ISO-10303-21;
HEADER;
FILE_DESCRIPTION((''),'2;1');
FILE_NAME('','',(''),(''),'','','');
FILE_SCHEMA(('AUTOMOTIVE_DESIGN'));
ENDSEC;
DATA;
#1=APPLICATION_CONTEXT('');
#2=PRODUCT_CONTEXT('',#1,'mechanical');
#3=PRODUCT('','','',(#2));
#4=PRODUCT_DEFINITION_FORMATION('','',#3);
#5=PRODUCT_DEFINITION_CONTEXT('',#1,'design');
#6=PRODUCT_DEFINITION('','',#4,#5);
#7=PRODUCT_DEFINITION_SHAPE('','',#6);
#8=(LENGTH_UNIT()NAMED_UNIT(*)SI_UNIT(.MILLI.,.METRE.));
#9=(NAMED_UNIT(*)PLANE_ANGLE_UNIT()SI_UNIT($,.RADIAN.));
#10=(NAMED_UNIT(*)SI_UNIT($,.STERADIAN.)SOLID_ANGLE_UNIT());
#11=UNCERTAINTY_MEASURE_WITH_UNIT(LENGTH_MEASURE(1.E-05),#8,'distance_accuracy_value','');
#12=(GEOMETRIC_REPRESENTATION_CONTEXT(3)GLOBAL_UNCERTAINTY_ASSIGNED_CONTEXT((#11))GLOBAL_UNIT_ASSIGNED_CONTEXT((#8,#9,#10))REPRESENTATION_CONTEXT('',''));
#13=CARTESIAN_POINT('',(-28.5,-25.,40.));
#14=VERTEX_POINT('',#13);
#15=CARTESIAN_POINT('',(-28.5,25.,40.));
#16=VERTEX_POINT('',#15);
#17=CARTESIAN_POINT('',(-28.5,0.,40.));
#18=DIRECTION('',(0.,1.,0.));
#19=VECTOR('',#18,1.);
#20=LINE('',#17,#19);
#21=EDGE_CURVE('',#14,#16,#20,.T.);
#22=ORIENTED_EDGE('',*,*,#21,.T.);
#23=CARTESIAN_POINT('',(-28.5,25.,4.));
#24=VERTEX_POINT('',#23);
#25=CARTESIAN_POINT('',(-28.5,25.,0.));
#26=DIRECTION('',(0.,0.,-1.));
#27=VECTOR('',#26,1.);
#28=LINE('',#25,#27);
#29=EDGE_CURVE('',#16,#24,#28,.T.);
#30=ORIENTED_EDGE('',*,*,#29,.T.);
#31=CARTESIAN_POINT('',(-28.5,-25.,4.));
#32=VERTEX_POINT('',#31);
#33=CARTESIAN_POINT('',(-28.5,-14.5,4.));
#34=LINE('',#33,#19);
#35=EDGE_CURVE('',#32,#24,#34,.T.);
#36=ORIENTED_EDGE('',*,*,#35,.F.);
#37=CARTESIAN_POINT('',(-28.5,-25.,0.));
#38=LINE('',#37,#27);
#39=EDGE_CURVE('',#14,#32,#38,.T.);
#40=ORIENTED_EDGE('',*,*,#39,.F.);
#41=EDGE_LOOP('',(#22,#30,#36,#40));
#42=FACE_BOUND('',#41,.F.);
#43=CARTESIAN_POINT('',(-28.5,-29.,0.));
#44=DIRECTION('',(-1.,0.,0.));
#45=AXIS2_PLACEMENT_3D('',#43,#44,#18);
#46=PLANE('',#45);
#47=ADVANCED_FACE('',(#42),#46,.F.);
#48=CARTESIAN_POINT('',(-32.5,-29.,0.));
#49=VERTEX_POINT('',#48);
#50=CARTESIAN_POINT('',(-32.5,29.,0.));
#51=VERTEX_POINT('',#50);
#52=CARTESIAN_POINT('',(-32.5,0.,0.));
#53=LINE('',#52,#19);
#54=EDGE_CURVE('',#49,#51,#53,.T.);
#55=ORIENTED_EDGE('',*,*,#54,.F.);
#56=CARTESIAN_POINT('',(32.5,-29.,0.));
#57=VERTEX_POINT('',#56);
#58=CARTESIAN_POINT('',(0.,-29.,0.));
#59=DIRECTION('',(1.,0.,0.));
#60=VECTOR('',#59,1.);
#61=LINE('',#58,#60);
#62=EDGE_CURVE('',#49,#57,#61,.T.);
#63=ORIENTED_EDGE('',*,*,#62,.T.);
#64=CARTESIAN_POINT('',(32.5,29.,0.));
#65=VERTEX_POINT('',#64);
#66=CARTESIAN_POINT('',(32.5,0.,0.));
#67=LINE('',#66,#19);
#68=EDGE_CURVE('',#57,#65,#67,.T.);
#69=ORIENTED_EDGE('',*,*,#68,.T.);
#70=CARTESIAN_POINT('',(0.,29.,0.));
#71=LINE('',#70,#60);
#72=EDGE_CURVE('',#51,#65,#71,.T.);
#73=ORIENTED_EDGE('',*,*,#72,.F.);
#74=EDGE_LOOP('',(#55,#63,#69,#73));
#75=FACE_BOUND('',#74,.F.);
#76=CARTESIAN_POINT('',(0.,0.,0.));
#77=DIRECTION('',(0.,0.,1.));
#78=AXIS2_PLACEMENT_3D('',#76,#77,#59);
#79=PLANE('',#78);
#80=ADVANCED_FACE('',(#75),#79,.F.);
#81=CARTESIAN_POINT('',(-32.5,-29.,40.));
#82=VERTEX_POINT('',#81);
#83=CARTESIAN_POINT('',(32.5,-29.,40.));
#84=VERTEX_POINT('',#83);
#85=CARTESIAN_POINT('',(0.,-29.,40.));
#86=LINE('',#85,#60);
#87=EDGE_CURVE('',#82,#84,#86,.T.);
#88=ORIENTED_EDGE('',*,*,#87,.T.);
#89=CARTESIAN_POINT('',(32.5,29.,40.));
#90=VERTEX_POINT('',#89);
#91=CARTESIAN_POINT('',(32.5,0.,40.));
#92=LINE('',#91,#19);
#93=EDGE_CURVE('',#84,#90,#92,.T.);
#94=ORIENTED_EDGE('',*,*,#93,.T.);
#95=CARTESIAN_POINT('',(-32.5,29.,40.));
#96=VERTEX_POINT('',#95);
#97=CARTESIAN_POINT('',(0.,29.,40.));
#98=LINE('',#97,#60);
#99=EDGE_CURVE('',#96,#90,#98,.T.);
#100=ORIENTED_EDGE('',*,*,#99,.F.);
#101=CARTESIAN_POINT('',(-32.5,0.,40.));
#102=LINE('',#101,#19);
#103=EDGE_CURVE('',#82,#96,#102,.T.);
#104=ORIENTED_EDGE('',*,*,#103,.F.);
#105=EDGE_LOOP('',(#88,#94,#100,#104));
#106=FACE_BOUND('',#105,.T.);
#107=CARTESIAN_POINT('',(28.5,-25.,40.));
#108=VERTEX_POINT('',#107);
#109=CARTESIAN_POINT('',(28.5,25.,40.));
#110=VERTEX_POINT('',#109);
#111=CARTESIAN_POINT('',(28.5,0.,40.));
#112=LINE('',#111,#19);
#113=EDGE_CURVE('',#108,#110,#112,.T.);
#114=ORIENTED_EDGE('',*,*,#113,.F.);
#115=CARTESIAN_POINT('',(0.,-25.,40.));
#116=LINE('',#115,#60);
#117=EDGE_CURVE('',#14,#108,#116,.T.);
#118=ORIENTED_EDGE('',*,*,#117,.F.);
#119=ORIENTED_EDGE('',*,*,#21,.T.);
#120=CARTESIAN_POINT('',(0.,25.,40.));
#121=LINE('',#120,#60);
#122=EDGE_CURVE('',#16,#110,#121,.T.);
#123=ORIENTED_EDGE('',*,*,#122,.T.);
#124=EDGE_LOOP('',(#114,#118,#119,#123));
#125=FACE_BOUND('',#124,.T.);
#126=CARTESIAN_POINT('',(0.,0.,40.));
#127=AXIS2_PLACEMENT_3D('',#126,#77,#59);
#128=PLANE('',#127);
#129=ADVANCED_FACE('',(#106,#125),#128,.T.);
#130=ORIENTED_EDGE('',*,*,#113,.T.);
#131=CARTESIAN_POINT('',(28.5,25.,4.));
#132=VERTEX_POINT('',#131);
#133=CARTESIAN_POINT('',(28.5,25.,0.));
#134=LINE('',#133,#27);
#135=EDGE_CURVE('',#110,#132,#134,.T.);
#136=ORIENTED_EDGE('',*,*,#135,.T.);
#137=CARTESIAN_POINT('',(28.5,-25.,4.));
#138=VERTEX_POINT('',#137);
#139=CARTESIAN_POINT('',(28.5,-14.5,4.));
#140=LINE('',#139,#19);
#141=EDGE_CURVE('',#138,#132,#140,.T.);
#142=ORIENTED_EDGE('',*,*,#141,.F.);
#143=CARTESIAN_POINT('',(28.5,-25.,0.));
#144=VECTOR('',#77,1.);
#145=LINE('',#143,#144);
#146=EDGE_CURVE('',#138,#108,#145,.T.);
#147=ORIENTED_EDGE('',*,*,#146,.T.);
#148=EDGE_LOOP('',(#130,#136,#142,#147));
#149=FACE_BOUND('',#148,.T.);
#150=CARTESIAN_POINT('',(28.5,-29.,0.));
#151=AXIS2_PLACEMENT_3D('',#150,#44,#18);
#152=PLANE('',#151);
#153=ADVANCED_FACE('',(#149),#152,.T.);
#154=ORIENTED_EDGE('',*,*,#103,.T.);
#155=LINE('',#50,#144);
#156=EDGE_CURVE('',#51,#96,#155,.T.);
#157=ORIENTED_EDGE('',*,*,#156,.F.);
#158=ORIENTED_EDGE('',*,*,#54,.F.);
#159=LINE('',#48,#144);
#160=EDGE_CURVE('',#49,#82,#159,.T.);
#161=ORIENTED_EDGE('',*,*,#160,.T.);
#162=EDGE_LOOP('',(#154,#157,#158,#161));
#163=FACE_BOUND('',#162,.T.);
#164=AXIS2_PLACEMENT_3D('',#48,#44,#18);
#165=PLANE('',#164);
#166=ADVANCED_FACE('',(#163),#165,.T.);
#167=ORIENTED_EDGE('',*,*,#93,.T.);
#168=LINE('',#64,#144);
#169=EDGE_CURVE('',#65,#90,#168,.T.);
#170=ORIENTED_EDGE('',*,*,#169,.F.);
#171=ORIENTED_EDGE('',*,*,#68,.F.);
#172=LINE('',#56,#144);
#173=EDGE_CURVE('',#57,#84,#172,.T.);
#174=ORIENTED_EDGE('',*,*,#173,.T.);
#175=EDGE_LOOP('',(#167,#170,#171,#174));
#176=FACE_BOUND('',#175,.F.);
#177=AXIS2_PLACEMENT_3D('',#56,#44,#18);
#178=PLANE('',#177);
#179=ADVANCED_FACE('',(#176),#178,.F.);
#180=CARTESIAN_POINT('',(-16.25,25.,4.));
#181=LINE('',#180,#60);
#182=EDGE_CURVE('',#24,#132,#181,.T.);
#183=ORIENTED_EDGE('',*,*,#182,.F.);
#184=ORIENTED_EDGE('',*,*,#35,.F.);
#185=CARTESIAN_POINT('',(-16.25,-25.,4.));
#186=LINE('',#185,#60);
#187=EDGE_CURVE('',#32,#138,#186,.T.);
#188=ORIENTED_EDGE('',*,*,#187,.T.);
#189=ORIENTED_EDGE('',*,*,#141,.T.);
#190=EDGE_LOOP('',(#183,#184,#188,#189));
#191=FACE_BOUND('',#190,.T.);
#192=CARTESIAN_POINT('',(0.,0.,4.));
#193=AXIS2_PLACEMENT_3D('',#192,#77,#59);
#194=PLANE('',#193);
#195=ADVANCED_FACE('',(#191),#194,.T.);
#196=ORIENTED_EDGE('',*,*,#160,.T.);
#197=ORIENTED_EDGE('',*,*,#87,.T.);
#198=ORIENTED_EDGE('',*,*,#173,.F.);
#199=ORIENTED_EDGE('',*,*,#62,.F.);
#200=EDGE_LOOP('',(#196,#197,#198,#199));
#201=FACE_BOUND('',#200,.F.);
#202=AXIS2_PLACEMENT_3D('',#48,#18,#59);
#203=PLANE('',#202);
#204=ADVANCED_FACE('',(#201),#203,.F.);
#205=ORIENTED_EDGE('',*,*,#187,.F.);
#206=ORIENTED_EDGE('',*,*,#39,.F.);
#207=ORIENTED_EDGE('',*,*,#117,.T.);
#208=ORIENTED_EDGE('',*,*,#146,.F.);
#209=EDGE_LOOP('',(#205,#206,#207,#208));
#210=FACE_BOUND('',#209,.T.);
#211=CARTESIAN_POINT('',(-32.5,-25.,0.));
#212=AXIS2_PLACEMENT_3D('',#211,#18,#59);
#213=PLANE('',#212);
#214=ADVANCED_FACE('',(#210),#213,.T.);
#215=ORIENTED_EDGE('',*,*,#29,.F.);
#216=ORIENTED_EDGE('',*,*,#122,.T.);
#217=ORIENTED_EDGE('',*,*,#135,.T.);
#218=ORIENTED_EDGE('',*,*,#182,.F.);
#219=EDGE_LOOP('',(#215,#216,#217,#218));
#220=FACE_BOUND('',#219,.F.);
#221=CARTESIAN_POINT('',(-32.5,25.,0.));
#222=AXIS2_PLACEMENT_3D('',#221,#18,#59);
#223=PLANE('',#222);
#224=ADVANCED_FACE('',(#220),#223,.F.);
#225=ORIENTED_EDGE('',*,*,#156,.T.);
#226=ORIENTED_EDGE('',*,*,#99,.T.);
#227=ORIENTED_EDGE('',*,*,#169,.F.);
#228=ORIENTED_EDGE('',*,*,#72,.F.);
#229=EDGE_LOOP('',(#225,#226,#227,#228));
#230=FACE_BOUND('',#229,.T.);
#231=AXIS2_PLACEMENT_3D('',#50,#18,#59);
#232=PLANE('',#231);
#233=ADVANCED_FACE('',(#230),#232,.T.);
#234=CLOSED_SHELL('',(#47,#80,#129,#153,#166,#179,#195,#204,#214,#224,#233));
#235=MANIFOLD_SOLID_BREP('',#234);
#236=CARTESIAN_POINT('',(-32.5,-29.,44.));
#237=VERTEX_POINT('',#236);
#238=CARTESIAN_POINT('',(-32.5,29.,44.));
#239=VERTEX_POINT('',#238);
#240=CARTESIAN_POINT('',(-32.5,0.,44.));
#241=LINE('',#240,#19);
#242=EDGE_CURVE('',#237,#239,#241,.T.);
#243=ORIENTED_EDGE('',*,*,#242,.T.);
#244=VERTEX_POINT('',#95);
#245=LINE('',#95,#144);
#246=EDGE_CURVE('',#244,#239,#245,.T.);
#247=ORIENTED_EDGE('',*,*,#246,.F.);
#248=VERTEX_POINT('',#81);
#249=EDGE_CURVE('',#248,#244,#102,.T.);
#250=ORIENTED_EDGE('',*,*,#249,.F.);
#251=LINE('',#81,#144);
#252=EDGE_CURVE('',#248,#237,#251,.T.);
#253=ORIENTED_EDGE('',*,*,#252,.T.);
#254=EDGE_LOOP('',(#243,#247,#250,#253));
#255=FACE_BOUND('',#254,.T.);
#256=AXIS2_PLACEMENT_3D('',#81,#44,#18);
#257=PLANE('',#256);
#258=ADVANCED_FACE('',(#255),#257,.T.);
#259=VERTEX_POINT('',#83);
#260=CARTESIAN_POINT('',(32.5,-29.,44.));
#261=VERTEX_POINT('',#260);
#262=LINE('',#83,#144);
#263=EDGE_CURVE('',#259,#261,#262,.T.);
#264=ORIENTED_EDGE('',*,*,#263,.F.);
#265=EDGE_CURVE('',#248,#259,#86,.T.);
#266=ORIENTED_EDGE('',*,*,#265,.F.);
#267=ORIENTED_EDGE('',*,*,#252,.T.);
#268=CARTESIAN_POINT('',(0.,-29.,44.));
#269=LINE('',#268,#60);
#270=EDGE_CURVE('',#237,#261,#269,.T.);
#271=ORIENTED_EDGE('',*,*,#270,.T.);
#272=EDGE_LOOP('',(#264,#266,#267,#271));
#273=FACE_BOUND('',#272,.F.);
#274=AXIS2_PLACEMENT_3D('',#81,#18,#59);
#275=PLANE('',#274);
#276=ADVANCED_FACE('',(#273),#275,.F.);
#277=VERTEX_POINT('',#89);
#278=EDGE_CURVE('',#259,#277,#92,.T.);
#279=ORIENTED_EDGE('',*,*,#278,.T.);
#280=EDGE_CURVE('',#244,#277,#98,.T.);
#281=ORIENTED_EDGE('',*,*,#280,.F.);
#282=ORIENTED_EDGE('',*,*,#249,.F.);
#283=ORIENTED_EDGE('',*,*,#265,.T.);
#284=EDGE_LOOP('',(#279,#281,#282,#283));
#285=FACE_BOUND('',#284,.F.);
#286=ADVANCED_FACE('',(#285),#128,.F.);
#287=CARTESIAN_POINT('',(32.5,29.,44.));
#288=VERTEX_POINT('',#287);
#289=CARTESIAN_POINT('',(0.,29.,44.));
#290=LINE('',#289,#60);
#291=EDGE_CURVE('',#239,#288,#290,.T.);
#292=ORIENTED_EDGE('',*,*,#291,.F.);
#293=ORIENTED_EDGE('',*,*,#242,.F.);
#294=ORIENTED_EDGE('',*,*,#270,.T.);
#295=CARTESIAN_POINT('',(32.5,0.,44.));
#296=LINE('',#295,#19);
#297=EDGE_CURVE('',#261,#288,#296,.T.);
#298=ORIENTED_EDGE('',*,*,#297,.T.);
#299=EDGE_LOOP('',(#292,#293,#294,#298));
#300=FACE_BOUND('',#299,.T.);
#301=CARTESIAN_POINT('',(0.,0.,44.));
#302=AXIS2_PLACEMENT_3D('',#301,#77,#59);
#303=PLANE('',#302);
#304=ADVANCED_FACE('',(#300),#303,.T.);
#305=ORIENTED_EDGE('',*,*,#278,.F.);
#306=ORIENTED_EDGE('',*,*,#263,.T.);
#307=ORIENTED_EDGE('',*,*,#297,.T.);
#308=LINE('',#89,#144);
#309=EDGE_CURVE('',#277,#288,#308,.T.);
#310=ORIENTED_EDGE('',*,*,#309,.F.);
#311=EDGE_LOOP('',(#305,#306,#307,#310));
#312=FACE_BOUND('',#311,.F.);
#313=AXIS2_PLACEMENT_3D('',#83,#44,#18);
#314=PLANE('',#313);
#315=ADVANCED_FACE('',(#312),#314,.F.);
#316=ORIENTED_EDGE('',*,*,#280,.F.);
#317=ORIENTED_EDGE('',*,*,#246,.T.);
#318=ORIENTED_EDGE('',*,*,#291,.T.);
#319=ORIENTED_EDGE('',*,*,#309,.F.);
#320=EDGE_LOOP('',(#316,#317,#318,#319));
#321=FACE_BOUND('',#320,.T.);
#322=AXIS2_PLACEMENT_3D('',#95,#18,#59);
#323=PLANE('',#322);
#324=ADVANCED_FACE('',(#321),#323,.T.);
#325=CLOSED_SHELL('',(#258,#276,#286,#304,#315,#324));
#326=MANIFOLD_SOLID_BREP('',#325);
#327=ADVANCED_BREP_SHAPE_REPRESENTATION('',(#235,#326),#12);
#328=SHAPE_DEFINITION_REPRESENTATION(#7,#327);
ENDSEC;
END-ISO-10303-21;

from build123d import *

# Parameters (mm, degrees)
F0_W     = 65
F0_H     = 58
F1_DEPTH = 40
F2_T     = -4
F3_W     = 65
F3_H     = 58
F4_DEPTH = 4


with BuildPart() as f1:
    # F0 (on Top) → F1 (new body)
    with BuildSketch(Plane.XY):
        Rectangle(F0_W, F0_H)
    extrude(amount=F1_DEPTH)

    # F2
    f2_openings = [f1.faces().sort_by_distance(p)[0] for p in [
        (0, 0, 40),
    ]]
    offset(amount=F2_T, openings=f2_openings)


with BuildPart() as f4:
    # F3 (on face) → F4 (new body)
    with BuildSketch(Plane.XY.offset(40)):
        Rectangle(F3_W, F3_H)
    extrude(amount=F4_DEPTH)


solid = Compound([f1.part, f4.part])
